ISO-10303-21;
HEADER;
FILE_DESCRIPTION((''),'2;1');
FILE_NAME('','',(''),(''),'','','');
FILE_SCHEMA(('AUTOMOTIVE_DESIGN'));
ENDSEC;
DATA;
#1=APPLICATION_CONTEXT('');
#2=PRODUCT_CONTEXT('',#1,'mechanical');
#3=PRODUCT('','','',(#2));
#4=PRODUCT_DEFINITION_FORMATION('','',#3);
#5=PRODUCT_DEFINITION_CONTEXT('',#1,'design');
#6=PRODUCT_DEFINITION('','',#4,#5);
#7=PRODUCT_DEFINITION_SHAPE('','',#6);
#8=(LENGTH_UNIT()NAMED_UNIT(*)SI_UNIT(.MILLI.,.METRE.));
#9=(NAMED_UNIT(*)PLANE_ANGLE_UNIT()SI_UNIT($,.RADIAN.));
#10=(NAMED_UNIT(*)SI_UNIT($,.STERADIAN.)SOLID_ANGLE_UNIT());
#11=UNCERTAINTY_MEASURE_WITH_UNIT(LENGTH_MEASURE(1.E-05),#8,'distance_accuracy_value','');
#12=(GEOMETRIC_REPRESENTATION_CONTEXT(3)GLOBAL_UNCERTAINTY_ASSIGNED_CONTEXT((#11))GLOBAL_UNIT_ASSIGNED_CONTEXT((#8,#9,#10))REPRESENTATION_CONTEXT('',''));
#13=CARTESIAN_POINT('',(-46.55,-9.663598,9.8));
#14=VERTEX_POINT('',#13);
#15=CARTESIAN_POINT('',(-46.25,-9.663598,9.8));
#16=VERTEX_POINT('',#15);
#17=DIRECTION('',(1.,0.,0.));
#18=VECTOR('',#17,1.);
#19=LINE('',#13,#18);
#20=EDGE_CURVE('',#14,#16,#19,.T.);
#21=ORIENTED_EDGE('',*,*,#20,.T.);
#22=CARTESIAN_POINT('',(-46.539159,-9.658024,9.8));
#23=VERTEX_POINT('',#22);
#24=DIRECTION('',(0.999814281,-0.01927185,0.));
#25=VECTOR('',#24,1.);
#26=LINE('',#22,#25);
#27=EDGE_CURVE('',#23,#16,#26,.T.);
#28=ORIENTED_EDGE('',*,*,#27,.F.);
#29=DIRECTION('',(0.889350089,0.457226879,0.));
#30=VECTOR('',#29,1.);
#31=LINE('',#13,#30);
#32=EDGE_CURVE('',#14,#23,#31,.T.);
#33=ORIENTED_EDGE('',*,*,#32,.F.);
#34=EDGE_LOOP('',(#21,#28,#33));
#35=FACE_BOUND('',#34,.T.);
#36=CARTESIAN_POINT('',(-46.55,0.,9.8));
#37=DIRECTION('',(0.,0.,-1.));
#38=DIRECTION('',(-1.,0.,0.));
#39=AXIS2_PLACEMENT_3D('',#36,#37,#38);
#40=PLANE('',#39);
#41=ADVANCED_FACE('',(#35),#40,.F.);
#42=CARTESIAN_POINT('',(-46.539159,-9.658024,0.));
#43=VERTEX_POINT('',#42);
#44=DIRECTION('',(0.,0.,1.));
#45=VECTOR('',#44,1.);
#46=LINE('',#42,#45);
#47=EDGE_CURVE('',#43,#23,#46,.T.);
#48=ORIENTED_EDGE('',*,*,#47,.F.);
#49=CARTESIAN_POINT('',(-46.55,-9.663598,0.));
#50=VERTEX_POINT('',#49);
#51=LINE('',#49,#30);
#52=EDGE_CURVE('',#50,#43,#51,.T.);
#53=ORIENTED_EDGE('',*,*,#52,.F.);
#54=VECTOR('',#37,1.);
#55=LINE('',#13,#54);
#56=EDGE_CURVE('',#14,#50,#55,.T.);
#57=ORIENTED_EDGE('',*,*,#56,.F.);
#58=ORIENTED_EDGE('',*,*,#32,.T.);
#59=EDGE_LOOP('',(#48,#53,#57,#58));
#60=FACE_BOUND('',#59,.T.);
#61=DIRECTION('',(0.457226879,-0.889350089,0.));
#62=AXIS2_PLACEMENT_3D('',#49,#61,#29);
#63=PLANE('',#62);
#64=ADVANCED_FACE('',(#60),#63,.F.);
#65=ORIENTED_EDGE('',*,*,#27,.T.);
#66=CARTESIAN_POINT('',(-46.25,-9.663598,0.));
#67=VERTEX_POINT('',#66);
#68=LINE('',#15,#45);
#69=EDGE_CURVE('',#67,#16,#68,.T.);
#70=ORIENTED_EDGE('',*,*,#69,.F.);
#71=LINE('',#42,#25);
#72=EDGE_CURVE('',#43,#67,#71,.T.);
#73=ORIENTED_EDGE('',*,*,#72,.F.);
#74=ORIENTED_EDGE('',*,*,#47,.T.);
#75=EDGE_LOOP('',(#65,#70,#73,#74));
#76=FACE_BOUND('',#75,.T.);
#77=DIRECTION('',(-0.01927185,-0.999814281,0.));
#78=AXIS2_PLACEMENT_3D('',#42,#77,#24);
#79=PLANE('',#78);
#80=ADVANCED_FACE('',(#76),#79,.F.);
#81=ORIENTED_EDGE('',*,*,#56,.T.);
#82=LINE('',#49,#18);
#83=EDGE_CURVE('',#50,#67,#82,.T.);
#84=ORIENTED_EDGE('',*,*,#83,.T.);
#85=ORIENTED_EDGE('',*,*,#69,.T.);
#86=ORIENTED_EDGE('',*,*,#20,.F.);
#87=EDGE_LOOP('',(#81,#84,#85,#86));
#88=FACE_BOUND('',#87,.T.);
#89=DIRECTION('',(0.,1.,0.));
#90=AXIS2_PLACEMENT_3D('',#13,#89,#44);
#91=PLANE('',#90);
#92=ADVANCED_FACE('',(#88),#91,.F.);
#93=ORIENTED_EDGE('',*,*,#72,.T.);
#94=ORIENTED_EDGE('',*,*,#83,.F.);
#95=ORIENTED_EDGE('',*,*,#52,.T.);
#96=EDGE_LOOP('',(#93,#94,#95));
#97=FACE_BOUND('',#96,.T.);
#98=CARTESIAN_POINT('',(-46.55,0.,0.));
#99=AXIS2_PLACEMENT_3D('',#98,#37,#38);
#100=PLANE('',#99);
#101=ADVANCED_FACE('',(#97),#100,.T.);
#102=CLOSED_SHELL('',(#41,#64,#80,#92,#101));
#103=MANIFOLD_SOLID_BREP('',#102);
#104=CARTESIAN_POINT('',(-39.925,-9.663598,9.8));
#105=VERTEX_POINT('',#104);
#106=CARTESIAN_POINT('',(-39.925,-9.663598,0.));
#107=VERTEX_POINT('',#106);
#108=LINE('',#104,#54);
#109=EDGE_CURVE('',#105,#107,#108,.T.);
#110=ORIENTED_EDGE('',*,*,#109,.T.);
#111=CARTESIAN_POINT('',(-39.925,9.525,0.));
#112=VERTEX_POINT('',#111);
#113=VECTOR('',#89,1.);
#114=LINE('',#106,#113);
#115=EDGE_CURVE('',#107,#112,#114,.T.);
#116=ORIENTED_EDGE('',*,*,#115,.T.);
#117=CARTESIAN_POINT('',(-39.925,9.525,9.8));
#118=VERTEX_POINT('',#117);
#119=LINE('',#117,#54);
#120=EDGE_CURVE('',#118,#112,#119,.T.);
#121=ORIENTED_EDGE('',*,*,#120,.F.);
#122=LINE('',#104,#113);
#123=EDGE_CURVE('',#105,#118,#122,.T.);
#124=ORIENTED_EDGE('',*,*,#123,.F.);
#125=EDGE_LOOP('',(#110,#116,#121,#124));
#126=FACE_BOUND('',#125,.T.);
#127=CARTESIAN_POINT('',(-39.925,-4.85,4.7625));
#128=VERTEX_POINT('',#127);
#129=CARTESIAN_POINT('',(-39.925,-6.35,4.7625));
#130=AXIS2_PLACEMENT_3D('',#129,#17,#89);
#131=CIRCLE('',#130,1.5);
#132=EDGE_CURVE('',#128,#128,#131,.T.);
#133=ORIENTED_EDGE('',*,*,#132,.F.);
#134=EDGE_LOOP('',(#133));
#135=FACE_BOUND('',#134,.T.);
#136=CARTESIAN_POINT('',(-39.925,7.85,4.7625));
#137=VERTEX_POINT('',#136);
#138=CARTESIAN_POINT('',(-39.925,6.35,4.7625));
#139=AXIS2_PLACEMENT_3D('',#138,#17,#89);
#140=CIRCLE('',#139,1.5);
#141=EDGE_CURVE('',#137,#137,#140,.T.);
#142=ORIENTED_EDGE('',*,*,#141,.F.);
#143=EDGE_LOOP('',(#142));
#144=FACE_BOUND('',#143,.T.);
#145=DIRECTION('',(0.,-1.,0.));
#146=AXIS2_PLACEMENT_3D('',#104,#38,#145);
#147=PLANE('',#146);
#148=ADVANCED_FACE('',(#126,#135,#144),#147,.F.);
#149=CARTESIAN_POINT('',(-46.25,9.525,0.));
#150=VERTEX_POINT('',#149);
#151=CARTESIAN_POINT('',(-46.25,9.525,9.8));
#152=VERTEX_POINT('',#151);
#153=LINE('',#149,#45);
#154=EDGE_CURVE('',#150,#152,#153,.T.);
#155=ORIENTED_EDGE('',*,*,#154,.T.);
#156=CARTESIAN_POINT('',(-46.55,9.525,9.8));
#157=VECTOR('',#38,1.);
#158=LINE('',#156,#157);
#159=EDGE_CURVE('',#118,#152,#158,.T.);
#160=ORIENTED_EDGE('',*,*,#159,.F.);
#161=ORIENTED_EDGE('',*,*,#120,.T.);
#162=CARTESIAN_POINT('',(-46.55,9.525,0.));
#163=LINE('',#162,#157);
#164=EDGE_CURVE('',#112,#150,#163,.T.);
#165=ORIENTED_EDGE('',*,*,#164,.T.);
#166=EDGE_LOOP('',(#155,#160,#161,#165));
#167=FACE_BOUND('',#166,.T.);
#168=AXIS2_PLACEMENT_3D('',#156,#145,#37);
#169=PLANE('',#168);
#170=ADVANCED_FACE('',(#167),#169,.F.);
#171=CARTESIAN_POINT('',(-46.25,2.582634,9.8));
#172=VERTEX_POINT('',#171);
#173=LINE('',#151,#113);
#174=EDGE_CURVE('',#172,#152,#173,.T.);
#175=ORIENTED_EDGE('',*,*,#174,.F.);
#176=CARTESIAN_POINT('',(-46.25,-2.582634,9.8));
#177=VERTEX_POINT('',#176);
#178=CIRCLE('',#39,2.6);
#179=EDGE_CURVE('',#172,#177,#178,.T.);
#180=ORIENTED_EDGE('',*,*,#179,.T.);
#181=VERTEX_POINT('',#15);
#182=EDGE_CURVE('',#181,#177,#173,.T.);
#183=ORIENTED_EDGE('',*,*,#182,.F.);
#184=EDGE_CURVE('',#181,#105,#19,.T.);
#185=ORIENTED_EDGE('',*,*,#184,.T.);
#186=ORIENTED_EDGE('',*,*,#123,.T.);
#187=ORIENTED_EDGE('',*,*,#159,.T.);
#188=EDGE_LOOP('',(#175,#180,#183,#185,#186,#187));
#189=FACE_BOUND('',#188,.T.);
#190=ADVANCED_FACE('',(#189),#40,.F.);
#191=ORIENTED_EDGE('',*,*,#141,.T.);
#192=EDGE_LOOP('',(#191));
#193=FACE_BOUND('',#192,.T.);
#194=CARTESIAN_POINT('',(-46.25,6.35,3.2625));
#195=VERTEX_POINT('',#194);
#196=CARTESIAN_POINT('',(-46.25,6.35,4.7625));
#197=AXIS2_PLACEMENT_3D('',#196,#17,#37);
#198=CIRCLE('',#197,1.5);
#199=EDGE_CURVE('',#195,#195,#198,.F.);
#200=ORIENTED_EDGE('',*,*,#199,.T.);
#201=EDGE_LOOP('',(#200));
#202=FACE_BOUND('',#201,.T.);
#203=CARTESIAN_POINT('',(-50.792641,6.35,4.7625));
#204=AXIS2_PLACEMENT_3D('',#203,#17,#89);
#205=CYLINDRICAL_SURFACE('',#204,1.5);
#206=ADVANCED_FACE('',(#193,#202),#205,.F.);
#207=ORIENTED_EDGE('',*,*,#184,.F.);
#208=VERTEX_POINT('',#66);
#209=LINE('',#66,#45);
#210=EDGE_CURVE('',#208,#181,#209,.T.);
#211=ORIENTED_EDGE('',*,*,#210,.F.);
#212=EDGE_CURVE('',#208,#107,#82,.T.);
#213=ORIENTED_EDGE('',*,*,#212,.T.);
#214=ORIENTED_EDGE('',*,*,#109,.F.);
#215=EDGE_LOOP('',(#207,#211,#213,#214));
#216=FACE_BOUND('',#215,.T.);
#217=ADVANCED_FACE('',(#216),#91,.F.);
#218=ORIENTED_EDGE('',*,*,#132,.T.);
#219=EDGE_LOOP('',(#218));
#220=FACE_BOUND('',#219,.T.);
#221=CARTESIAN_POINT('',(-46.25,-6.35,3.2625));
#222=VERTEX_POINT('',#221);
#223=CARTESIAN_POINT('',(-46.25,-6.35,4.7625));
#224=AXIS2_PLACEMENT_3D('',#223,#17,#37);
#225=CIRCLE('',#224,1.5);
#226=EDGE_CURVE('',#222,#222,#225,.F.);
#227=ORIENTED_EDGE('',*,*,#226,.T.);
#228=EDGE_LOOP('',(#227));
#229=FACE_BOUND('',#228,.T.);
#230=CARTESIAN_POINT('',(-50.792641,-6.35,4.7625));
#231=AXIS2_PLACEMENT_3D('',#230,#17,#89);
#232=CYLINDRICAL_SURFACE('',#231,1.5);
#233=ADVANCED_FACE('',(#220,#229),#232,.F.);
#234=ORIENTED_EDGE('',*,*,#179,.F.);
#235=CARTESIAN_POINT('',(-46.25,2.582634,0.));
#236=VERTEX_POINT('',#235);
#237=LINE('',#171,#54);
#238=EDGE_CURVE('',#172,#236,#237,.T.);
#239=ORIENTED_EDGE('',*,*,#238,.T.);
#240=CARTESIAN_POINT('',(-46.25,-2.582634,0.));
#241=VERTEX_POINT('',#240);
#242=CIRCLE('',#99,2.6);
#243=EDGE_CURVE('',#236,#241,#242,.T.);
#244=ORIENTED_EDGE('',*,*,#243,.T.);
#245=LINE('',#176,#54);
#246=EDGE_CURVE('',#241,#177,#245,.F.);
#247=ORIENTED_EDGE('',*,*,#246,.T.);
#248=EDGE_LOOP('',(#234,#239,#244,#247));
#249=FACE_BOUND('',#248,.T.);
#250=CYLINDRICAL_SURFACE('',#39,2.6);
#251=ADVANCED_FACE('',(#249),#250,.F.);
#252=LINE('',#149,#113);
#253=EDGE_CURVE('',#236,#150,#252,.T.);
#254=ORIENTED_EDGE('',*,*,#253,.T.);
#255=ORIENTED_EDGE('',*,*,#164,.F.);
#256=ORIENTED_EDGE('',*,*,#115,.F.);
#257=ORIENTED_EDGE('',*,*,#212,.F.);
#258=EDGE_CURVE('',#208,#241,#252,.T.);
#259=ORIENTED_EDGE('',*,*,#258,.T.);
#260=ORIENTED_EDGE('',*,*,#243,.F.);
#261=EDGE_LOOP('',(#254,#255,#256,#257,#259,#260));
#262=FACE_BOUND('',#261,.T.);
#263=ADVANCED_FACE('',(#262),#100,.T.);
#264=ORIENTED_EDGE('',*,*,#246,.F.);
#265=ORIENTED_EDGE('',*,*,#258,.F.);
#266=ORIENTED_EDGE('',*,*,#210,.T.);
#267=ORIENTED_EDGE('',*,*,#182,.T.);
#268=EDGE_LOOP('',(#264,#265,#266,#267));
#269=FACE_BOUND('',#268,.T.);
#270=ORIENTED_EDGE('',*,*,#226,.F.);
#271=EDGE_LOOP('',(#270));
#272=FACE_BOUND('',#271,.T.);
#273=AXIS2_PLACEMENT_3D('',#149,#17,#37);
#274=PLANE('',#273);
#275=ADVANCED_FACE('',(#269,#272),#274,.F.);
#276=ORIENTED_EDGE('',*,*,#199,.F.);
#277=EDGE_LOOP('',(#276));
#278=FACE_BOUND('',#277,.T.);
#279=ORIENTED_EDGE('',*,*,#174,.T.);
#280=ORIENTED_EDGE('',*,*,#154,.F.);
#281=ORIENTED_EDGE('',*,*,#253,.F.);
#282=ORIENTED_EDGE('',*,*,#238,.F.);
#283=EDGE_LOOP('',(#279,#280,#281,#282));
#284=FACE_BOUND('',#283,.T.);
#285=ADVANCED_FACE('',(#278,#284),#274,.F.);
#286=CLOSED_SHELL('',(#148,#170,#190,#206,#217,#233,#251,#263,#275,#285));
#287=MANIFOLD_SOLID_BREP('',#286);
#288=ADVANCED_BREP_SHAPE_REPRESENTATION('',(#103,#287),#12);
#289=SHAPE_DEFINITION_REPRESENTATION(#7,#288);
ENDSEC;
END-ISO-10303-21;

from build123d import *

# Parameters (mm, degrees)
EXTRUDE1_DEPTH = 9.8
SKETCH7_R      = 1.5
EXTRUDE3_DEPTH = 6.625
EXTRUDE4_DEPTH = 10.8


with BuildPart() as part:
    # Sketch5 → Extrude1 (new body)
    with BuildSketch(Plane.XY):
        with BuildLine():
            Line((-46.55, -2.6), (-46.55, -9.663597854))
            Line((-46.55, -9.663597854), (-39.925, -9.663597854))
            Line((-39.925, -9.663597854), (-39.925, 9.525))
            Line((-39.925, 9.525), (-46.55, 9.525))
            Line((-46.55, 9.525), (-46.55, 2.6))
            ThreePointArc((-46.55, 2.6), (-43.95, 0), (-46.55, -2.6))
        make_face()
    extrude(amount=EXTRUDE1_DEPTH)

    # Sketch7 → Extrude3 (cut)
    with BuildSketch(Plane(origin=(-39.925, 0, 0), x_dir=(0, 0, -1), z_dir=(1, 0, 0))):
        with Locations((-4.7625, 6.35)):
            Circle(SKETCH7_R)
        with Locations((-4.7625, -6.35)):
            Circle(SKETCH7_R)
    extrude(amount=-EXTRUDE3_DEPTH, mode=Mode.SUBTRACT)

    # Sketch9 → Extrude4 (cut, through all)
    with BuildSketch(Plane.XY.offset(9.8)):
        Polygon((-46.55, 9.525), (-46.55, -9.663597854), (-46.539158701, -9.658024196), (-46.25, -9.663597854), (-46.25, 9.525), align=None)
    extrude(amount=-EXTRUDE4_DEPTH, mode=Mode.SUBTRACT)


solid = part.part
